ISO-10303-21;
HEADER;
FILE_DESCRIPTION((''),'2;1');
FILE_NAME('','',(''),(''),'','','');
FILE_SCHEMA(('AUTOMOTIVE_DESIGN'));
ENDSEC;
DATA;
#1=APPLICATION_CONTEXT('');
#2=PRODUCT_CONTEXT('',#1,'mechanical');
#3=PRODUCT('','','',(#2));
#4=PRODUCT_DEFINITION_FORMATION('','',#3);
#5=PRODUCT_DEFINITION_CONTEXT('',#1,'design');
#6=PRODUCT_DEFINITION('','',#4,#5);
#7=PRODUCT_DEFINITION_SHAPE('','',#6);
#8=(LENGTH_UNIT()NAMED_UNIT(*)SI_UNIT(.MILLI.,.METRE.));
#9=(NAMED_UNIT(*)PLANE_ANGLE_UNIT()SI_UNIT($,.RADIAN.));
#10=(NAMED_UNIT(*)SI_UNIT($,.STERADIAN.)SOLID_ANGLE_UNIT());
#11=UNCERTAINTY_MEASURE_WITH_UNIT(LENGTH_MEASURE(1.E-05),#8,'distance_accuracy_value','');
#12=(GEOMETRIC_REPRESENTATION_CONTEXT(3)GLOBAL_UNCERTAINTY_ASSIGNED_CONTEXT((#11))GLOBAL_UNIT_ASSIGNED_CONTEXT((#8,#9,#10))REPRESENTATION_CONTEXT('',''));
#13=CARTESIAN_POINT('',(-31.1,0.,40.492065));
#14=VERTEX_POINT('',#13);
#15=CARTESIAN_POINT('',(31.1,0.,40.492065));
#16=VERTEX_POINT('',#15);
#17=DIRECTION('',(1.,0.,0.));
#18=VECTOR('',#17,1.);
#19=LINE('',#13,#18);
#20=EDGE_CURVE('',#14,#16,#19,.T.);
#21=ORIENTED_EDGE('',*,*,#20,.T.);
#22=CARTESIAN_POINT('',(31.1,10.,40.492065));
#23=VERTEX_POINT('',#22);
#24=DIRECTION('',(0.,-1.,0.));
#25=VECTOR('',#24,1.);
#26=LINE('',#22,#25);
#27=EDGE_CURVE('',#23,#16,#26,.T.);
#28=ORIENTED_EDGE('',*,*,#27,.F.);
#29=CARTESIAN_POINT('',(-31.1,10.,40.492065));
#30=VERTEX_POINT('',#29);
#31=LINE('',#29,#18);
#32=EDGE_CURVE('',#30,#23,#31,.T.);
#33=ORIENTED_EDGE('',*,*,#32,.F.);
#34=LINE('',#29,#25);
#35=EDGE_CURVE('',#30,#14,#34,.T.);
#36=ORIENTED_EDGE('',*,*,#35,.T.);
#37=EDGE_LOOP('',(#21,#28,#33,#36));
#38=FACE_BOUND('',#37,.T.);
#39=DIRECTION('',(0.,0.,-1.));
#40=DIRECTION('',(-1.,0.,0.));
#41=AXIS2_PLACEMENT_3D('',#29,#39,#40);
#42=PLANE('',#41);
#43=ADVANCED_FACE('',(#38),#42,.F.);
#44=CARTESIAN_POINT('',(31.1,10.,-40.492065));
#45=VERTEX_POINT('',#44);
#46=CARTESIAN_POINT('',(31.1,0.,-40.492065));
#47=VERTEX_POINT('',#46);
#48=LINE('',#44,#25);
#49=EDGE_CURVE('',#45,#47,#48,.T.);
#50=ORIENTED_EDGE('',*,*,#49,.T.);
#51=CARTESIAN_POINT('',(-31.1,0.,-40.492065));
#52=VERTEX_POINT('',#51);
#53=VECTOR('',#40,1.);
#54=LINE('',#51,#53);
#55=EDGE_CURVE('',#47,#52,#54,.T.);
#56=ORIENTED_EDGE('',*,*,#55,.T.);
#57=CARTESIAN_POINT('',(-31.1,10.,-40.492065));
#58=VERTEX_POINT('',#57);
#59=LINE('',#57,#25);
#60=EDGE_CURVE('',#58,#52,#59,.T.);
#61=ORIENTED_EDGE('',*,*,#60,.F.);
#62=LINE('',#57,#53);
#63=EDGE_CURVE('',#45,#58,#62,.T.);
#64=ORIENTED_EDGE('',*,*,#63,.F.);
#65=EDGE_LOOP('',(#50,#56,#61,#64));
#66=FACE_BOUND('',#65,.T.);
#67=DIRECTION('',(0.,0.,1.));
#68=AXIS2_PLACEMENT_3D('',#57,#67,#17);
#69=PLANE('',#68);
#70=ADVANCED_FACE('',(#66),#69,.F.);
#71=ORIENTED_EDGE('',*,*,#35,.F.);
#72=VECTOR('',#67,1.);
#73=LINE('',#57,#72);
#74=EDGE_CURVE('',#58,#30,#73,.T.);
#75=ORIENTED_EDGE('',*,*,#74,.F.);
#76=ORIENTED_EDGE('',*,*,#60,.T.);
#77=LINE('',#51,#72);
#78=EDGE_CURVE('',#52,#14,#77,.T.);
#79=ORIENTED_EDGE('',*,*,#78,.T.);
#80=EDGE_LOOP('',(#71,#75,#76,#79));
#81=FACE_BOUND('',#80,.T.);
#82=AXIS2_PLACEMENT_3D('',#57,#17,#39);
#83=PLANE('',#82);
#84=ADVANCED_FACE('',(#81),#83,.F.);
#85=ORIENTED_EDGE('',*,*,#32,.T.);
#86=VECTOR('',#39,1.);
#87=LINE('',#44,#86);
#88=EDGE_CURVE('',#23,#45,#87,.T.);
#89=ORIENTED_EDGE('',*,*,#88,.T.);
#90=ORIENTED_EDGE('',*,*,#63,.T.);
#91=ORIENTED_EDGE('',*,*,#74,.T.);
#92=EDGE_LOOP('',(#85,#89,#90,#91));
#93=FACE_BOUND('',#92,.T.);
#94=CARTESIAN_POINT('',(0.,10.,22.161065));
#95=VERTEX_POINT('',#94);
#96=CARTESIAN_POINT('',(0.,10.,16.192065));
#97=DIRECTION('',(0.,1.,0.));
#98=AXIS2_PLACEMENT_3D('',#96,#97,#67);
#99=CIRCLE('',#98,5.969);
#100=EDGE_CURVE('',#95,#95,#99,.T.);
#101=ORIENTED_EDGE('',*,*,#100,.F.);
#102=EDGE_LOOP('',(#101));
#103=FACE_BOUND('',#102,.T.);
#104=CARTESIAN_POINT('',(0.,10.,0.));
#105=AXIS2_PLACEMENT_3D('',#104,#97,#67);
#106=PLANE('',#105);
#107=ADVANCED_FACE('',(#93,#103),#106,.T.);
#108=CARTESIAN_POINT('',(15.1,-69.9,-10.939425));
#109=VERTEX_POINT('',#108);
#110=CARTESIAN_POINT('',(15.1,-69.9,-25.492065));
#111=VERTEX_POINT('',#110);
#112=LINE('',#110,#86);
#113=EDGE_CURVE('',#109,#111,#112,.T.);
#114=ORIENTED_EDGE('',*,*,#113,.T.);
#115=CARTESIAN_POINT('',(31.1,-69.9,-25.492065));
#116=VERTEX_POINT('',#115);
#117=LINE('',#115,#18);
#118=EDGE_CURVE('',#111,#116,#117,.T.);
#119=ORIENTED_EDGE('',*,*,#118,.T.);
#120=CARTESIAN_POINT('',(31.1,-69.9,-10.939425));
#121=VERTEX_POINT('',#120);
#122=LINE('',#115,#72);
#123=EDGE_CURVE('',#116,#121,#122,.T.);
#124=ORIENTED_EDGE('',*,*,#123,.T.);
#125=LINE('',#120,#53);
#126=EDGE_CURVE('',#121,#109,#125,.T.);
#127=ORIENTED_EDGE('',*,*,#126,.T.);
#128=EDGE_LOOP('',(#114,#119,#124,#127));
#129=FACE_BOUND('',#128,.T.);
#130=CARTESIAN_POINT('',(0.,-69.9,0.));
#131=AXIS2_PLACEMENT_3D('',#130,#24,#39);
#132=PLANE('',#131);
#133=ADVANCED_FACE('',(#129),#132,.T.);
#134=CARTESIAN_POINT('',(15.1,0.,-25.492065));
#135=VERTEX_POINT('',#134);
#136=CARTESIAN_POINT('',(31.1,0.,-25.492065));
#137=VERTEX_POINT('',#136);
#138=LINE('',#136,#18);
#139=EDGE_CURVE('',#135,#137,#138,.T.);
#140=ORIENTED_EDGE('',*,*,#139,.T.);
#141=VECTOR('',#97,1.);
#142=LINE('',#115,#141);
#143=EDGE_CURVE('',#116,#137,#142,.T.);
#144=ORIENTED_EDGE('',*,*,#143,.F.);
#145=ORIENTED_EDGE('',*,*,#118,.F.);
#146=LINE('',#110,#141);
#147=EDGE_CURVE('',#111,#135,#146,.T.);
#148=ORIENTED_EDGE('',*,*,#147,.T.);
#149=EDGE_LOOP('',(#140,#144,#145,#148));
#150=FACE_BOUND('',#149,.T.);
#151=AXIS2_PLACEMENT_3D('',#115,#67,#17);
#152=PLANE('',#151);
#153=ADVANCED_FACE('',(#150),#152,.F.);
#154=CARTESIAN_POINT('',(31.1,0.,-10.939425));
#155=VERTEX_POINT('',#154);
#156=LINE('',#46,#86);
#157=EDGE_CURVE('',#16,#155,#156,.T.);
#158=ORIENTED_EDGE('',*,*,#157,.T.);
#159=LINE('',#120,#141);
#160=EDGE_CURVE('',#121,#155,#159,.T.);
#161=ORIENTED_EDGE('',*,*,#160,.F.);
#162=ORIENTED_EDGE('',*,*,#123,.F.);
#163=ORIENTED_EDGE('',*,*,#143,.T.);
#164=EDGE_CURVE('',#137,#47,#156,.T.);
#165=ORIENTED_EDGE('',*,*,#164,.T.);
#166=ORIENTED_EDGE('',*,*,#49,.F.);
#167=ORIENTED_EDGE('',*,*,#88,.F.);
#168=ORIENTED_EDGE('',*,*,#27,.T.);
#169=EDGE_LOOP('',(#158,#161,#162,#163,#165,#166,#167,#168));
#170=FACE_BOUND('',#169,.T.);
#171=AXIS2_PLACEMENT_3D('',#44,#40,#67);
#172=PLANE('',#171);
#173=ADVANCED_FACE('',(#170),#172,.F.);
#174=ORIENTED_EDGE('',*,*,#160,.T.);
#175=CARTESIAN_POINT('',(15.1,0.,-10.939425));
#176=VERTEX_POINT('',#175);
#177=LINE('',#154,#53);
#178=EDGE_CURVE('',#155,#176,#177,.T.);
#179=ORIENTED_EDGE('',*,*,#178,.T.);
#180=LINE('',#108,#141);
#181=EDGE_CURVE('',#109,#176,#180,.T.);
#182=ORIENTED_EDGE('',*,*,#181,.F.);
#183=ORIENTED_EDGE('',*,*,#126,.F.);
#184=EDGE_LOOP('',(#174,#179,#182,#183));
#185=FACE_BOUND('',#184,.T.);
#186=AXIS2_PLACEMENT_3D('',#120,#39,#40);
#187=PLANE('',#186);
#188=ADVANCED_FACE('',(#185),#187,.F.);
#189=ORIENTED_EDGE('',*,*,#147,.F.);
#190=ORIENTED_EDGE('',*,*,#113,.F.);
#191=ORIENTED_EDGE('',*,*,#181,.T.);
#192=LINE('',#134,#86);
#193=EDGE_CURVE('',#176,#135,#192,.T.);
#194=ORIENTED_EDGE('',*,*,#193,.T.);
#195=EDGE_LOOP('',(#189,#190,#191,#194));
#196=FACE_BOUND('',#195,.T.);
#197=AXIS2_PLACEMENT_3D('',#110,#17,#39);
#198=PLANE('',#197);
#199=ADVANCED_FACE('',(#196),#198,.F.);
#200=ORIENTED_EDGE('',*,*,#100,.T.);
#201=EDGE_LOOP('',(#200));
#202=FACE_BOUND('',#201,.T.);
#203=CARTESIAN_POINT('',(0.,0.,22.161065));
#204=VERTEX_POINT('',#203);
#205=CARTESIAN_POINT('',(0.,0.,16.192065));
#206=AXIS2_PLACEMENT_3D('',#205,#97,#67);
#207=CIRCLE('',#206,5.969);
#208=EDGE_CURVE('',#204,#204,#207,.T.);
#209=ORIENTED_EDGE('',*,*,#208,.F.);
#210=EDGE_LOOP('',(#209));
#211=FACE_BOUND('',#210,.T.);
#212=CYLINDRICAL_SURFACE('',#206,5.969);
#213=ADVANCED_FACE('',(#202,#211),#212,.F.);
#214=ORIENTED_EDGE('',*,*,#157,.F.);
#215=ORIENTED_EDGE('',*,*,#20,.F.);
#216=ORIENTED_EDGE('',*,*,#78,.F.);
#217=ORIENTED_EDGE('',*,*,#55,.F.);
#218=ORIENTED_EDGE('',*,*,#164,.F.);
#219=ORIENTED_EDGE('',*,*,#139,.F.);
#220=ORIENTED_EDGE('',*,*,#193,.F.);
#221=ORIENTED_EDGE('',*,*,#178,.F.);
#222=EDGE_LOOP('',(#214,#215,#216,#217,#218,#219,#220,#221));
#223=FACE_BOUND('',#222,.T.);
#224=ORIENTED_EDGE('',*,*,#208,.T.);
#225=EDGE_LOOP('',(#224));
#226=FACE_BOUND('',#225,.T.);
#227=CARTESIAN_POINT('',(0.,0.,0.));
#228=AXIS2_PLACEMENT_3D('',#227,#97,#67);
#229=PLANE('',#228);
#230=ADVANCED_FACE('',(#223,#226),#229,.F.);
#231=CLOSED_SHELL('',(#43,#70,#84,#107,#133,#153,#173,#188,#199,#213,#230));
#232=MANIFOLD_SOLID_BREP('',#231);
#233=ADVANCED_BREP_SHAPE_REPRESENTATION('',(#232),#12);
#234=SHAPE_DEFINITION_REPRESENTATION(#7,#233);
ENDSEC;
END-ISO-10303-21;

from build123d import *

# Parameters (mm, degrees)
SKETCH1_W           = 62.2
SKETCH1_H           = 80.98413
BOSS_EXTRUDE1_DEPTH = 10
SKETCH2_R           = 5.969
CUT_EXTRUDE1_DEPTH  = 10
SKETCH3_W           = 16
SKETCH3_H           = 14.55264
BOSS_EXTRUDE2_DEPTH = 69.9


with BuildPart() as part:
    # Sketch1 → Boss-Extrude1 (new body)
    with BuildSketch(Plane(origin=(0, 0, 0), x_dir=(1, 0, 0), z_dir=(0, 1, 0))):
        Rectangle(SKETCH1_W, SKETCH1_H)
    extrude(amount=BOSS_EXTRUDE1_DEPTH)

    # Sketch2 → Cut-Extrude1 (cut)
    with BuildSketch(Plane(origin=(0, 10, 0), x_dir=(1, 0, 0), z_dir=(0, 1, 0))):
        with Locations(Location((0, -16.192065, 0), (0, 0, 270))):
            Circle(SKETCH2_R)
    extrude(amount=-CUT_EXTRUDE1_DEPTH, mode=Mode.SUBTRACT)

    # Sketch3 → Boss-Extrude2 (add)
    with BuildSketch(Plane.XZ):
        with Locations((23.1, -18.215745)):
            Rectangle(SKETCH3_W, SKETCH3_H)
    extrude(amount=BOSS_EXTRUDE2_DEPTH)


solid = part.part
